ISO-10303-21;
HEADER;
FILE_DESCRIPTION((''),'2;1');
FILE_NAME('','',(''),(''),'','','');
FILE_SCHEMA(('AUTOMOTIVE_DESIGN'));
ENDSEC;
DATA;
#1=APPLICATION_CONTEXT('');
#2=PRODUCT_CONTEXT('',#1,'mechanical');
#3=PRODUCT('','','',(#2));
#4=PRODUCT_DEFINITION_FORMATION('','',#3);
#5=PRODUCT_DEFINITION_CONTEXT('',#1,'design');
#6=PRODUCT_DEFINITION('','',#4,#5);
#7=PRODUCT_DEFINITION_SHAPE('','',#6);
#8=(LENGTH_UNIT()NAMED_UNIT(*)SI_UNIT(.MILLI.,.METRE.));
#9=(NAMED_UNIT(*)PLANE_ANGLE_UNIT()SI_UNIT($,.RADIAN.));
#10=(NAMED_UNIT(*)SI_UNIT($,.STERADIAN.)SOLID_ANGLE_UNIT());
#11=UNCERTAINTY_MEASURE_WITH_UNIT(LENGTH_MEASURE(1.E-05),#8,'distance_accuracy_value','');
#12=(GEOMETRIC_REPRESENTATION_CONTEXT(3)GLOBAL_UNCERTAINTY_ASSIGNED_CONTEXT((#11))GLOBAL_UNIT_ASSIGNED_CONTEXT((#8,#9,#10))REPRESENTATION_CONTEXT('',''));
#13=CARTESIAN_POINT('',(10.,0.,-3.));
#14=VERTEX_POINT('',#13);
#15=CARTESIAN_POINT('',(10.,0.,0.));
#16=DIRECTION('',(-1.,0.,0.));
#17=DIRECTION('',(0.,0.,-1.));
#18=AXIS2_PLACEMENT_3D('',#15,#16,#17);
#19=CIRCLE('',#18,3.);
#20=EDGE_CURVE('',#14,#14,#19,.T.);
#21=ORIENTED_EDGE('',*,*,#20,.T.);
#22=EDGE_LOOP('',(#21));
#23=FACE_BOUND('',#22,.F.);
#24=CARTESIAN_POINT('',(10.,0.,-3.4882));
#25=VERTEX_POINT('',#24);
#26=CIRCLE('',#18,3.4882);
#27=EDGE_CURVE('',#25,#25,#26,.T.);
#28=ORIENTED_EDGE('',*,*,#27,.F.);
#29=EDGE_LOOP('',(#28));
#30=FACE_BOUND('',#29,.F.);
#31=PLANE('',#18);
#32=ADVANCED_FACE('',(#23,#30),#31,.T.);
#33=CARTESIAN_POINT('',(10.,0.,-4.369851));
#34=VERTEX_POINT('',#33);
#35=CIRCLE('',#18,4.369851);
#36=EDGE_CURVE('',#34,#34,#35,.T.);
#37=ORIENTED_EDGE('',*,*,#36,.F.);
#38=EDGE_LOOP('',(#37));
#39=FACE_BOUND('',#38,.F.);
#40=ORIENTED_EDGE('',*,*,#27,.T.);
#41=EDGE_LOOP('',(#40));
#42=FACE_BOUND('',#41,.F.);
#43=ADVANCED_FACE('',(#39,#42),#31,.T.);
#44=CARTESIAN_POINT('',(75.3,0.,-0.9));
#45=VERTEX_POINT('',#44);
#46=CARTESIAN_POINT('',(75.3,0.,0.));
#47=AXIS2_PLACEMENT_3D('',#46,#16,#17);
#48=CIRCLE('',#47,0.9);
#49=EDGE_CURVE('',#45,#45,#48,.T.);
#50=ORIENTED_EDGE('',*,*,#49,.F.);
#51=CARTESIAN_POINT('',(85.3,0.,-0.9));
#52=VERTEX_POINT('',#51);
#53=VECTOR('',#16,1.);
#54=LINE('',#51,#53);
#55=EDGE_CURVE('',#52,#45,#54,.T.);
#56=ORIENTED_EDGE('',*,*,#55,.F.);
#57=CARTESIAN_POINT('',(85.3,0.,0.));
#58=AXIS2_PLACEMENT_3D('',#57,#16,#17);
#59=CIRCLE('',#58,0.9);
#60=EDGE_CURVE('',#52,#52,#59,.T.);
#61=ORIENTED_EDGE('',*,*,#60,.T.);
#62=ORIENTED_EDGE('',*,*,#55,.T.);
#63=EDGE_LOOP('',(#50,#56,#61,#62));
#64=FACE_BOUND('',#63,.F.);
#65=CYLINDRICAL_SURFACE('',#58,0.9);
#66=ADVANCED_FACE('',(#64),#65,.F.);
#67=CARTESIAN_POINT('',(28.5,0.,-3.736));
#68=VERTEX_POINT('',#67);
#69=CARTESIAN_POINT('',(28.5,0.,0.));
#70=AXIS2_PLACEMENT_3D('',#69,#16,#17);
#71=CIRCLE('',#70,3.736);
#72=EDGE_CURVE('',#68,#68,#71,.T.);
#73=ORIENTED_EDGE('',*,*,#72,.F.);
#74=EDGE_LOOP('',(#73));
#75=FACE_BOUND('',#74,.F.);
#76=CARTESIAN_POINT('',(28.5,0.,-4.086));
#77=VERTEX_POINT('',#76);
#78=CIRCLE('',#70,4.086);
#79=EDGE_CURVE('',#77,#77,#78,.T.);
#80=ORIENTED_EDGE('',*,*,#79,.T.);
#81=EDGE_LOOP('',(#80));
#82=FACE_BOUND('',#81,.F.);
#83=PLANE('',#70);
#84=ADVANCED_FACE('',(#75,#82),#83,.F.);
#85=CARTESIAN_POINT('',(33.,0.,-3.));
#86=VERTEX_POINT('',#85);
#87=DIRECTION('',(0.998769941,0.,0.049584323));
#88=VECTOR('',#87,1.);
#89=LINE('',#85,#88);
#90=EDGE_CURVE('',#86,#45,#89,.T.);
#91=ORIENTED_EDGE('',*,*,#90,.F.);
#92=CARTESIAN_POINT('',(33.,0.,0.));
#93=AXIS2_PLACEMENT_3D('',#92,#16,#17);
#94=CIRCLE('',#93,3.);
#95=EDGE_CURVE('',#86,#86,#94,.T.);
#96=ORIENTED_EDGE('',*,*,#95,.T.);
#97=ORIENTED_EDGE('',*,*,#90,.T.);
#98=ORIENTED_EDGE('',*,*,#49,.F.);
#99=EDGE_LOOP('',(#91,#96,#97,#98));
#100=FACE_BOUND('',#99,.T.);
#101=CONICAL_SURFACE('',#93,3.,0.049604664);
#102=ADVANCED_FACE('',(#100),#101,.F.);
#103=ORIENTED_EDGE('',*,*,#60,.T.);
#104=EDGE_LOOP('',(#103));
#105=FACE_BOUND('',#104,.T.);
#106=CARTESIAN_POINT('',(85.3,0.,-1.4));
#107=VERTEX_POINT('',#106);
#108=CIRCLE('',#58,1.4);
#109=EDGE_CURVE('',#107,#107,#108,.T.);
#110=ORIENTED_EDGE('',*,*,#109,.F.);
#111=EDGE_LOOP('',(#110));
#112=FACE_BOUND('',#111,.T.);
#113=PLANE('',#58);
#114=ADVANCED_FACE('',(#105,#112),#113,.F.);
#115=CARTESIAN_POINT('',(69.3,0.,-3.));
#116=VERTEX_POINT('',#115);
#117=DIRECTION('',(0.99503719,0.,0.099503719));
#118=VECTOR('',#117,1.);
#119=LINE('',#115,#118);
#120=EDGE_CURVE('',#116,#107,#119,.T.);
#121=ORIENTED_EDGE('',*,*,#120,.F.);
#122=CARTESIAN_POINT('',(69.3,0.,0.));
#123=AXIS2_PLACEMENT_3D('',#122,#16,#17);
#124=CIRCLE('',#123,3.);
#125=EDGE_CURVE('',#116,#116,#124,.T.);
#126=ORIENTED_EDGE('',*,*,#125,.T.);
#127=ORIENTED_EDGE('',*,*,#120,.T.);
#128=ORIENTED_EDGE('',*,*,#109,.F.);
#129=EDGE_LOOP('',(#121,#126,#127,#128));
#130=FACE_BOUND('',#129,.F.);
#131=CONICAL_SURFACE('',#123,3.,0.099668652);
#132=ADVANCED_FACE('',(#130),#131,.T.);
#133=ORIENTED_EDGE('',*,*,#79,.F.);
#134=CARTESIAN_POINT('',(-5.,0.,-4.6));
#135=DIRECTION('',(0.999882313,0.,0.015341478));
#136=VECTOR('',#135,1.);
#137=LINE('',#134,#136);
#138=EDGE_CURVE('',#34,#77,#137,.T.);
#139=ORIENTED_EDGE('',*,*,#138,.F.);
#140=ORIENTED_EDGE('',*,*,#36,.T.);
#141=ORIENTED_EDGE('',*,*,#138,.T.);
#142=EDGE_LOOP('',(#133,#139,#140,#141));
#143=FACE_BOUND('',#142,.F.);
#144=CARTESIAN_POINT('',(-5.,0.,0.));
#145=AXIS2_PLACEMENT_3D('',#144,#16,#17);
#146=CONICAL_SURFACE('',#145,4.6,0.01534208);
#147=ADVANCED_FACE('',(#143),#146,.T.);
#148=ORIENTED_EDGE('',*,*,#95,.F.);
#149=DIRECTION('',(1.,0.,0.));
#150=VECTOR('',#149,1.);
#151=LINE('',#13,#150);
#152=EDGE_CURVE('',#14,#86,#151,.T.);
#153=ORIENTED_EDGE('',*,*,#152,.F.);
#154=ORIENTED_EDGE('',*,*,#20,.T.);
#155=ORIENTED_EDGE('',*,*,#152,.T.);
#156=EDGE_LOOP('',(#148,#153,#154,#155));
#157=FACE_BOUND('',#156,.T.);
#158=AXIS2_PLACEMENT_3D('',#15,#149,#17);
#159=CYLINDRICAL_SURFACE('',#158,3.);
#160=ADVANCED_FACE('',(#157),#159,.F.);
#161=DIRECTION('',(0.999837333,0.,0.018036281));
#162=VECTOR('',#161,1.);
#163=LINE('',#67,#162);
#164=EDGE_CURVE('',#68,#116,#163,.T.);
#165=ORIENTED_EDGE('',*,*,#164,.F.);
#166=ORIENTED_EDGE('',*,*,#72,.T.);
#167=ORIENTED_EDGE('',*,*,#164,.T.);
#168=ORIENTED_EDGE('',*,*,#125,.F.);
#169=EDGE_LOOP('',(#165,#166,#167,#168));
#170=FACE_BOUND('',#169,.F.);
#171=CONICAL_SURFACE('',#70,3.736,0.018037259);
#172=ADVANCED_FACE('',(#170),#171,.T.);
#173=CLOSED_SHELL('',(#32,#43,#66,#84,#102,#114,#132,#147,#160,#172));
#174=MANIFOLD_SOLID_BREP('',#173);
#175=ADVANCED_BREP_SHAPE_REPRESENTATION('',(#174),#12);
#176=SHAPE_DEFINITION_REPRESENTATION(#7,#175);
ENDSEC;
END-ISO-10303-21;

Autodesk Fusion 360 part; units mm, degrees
sketch "Sketch1" plane through (0, 0, 0) normal (0, 1, 0) x (1, 0, 0)
  line L0 (85.3, -0.9) -> (85.3, 0.9)
  line L1 (85.3, -1.4) -> (85.3, 1.4)
  line L2 (0, 0) -> (28.5, 0) construction
  line L3 (85.3, 0) -> (69.3, 0) construction
  line L4 (28.5, -4.086) -> (28.5, 4.086) construction
  line L5 (0, 0) -> (10, 0) construction
  line L6 (0, 3.75) -> (-10.0015, 3.75) construction
  line L7 (10, -3) -> (10, 3) construction
  line L8 (69.3, -3) -> (69.3, 3) construction
  line L9 (85.3, -0.9) -> (75.3, -0.9)
  line L10 (10, 3) -> (33, 3)
  line L11 (10, -3) -> (33, -3)
  line L12 (33, -3) -> (75.3, -0.9)
  line L13 (85.3, 0.9) -> (75.3, 0.9)
  line L14 (33, 3) -> (75.3, 0.9)
  line L15 (69.3, -3) -> (85.3, -1.4)
  line L16 (69.3, 3) -> (85.3, 1.4)
  line L17 (28.5, 4.086) -> (28.5, 3.736)
  line L18 (28.5, -4.086) -> (28.5, -3.736)
  line L19 (28.5, 3.736) -> (69.3, 3)
  line L20 (28.5, -3.736) -> (69.3, -3)
  line L21 (85.3, 0) -> (-5, 0)
  line L22 (-5, -4.6) -> (-5, 4.6)
  line L23 (-5, -3.75) -> (-5, 3.75)
  line L24 (-5, 0) -> (10, 0) construction
  line L25 (10, -8) -> (10, 8)
  line L26 (-5, -3.75) -> (10, -3.4882)
  line L27 (-5, -3.75) -> (10.0023, -3.75) construction
  line L28 (-5, 3.75) -> (10, 3.4882)
  line L29 (-5, 3.75) -> (10.0023, 3.75) construction
  line L30 (10, 3) -> (10, 3.4882)
  line L31 (10, -3.4882) -> (10, -3)
  line L32 (-5, -4.6) -> (28.5, -4.086)
  line L33 (-5, 4.6) -> (28.5, 4.086)
  line L34 (-5, 0) -> (28.5, 0) construction
  dimension "d4" = 1.8
  dimension "d5" = 2.8
  dimension "d7" = 16
  dimension "d9" = 8.172
  dimension "d15" = 6
  dimension "d16" = 6
  dimension "d17" = 10
  dimension "d18" = 23
  dimension "d21" = 0.35
  dimension "d22" = 0.35
  dimension "d25" = 90.3
  dimension "d26" = 9.2
  dimension "d27" = 7.5
  dimension "d28" = 15
  dimension "d29" = 1
  dimension "d31" = 33.5
revolve "Revolve4" add sketch "Sketch1" angle 360 about axis through (85.3, 0, 0) along (-1, 0, 0) contours L1 L10 L13 L14 L16 L17 L19 L25 L30 L33
